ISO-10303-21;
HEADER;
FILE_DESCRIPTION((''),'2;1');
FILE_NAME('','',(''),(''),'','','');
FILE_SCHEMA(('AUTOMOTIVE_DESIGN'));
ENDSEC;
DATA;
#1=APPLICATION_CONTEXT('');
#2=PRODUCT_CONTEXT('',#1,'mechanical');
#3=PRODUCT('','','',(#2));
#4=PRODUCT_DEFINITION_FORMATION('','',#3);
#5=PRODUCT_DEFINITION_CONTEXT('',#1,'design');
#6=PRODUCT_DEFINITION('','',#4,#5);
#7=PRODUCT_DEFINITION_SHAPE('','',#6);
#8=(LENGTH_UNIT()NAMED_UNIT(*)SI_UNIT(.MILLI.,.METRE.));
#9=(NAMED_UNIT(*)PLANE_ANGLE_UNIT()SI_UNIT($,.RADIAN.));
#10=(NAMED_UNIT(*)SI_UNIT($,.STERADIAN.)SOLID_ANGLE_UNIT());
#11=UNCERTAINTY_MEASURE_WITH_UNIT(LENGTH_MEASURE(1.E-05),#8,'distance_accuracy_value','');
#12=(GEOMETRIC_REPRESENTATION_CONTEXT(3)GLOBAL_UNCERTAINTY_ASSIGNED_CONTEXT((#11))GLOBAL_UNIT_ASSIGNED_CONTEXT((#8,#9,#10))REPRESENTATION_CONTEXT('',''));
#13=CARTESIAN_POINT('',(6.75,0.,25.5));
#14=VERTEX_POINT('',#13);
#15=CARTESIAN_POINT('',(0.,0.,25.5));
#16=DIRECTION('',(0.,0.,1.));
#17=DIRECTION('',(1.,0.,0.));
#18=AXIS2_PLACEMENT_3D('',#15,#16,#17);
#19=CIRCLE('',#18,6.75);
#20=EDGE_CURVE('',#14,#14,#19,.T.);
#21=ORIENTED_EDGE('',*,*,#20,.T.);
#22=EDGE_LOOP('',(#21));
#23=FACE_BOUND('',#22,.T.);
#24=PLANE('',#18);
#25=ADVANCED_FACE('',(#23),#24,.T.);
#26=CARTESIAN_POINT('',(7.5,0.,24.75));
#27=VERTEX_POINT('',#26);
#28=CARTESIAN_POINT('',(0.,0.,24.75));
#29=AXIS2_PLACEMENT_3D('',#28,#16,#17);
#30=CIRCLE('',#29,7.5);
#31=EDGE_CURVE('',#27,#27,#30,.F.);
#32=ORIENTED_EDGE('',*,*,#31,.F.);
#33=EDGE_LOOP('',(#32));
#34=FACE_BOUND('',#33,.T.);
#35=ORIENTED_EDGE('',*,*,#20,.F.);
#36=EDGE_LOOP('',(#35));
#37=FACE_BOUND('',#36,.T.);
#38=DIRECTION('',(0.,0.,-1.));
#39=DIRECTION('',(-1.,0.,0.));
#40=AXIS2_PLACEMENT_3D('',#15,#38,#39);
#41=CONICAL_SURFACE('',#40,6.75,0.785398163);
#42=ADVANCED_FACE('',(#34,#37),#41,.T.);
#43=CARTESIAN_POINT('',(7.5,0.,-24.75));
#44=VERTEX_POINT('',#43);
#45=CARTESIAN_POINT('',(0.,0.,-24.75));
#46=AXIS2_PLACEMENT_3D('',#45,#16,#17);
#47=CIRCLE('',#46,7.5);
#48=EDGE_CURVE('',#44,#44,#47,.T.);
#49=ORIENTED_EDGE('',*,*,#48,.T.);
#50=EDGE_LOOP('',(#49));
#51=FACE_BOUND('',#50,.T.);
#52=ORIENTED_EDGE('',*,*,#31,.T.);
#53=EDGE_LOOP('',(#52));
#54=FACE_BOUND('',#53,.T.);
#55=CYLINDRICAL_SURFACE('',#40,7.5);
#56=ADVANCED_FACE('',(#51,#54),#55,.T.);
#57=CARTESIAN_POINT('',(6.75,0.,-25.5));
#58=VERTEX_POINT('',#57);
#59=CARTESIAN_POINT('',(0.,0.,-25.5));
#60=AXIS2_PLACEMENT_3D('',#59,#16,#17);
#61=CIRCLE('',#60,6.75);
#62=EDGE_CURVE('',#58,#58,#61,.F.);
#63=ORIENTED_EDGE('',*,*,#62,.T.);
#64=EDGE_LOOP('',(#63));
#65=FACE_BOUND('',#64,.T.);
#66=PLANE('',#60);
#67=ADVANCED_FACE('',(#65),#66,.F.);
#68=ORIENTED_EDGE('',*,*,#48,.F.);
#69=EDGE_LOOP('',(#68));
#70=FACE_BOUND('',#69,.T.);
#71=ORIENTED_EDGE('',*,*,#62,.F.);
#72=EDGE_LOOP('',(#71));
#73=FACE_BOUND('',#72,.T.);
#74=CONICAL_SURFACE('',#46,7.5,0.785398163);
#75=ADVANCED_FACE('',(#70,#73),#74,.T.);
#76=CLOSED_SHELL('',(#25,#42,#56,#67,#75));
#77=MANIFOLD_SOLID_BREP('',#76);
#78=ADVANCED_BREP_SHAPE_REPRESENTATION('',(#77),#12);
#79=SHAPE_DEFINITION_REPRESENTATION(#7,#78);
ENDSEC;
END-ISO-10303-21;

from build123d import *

# Parameters (mm, degrees)
SKETCH1_R           = 5
BOSS_EXTRUDE1_DEPTH = 17
CHAMFER1_SIZE       = 0.5
SCALE1_SCALE        = 1.5


with BuildPart() as part:
    # Sketch1 → Boss-Extrude1 (new, symmetric)
    with BuildSketch(Plane.XY):
        Circle(SKETCH1_R)
    extrude(amount=BOSS_EXTRUDE1_DEPTH, both=True)

    # Chamfer1
    chamfer1_edges = [part.edges().sort_by_distance(p)[0] for p in [
        (-5, 0, -17),
        (-5, 0, 17),
    ]]
    chamfer(chamfer1_edges, length=CHAMFER1_SIZE)


with BuildPart() as part_1:
    # Scale1: scaled about (0, 0, 0)
    add(part.part.scale(SCALE1_SCALE))


solid = part_1.part
